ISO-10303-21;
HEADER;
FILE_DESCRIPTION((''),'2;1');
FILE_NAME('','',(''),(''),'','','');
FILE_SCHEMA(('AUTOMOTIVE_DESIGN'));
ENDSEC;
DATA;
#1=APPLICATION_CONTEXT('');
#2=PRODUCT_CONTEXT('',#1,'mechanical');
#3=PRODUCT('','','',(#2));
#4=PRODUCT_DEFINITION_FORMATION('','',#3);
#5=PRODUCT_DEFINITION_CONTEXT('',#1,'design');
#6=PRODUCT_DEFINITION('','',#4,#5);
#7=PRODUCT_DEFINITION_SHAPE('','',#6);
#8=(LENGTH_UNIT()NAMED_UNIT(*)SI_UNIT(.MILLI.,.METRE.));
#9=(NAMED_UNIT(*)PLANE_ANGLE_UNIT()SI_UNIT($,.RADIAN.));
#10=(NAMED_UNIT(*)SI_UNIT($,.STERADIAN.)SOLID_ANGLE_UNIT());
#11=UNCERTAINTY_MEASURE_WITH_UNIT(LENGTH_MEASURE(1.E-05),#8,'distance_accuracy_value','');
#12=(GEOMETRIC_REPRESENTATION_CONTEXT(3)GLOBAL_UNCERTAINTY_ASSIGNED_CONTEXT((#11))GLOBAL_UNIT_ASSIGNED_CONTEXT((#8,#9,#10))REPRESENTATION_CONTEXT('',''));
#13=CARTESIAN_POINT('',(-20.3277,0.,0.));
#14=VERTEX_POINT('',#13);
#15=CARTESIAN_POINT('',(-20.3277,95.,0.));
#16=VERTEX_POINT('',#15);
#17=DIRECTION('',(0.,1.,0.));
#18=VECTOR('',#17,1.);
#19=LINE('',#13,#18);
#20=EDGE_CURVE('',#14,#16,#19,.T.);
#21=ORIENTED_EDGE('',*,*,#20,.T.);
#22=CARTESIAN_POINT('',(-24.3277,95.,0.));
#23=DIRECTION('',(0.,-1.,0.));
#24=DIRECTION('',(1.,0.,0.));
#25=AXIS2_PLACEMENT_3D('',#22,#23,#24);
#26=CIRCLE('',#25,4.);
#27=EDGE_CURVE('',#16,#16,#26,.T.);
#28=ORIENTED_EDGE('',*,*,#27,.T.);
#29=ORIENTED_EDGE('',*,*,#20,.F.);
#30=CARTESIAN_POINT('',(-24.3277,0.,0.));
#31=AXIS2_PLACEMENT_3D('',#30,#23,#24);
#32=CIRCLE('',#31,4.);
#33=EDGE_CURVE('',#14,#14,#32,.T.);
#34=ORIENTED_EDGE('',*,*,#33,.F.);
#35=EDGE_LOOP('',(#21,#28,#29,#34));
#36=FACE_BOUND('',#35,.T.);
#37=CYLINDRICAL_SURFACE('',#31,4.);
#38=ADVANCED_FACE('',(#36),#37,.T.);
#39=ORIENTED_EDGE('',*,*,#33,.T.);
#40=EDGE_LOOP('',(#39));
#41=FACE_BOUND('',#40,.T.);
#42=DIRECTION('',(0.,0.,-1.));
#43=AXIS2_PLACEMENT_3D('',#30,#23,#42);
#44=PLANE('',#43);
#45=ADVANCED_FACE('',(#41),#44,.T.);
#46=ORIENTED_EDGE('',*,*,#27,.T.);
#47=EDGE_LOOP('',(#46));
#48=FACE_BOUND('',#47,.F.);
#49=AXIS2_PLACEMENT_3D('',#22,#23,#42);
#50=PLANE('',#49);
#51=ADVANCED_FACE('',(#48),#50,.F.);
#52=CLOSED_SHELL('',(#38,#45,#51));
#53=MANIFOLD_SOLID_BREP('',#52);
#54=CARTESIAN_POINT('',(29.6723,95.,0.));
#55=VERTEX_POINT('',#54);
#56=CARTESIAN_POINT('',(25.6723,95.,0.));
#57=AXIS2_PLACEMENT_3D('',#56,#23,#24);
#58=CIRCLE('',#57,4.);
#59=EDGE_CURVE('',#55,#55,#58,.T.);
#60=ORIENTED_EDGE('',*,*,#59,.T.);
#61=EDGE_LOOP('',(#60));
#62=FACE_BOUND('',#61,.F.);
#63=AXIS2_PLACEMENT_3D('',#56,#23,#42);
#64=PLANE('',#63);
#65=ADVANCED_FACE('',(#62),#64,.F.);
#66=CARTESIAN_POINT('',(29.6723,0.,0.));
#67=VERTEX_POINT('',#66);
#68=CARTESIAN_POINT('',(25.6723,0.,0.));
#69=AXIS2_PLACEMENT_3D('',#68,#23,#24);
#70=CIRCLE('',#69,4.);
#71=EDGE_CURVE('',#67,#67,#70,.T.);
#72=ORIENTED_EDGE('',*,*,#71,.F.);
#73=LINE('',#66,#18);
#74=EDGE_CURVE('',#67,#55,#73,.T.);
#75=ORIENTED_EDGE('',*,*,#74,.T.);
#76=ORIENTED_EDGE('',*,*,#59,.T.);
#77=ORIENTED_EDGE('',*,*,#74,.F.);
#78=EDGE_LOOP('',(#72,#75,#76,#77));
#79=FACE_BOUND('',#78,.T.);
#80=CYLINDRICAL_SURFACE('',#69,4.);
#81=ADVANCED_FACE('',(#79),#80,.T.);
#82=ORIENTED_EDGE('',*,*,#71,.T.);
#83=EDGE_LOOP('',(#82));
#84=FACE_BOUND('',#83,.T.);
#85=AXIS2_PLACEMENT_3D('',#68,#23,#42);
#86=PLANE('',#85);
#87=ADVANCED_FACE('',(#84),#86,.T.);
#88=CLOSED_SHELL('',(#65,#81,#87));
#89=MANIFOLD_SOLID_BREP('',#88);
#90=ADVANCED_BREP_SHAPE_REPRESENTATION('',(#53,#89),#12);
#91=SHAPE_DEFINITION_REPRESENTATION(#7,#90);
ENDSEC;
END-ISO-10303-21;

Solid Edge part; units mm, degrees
sketch "Sketch1" plane through (0, 0, 0) normal (0, -1, 0) x (1, 0, 0)
  circle A0 centre (-24.3277, 0) radius 4
  circle A1 centre (25.6723, 0) radius 4
extrude "Protrusion1" add sketch "Sketch1" against normal blind 95
